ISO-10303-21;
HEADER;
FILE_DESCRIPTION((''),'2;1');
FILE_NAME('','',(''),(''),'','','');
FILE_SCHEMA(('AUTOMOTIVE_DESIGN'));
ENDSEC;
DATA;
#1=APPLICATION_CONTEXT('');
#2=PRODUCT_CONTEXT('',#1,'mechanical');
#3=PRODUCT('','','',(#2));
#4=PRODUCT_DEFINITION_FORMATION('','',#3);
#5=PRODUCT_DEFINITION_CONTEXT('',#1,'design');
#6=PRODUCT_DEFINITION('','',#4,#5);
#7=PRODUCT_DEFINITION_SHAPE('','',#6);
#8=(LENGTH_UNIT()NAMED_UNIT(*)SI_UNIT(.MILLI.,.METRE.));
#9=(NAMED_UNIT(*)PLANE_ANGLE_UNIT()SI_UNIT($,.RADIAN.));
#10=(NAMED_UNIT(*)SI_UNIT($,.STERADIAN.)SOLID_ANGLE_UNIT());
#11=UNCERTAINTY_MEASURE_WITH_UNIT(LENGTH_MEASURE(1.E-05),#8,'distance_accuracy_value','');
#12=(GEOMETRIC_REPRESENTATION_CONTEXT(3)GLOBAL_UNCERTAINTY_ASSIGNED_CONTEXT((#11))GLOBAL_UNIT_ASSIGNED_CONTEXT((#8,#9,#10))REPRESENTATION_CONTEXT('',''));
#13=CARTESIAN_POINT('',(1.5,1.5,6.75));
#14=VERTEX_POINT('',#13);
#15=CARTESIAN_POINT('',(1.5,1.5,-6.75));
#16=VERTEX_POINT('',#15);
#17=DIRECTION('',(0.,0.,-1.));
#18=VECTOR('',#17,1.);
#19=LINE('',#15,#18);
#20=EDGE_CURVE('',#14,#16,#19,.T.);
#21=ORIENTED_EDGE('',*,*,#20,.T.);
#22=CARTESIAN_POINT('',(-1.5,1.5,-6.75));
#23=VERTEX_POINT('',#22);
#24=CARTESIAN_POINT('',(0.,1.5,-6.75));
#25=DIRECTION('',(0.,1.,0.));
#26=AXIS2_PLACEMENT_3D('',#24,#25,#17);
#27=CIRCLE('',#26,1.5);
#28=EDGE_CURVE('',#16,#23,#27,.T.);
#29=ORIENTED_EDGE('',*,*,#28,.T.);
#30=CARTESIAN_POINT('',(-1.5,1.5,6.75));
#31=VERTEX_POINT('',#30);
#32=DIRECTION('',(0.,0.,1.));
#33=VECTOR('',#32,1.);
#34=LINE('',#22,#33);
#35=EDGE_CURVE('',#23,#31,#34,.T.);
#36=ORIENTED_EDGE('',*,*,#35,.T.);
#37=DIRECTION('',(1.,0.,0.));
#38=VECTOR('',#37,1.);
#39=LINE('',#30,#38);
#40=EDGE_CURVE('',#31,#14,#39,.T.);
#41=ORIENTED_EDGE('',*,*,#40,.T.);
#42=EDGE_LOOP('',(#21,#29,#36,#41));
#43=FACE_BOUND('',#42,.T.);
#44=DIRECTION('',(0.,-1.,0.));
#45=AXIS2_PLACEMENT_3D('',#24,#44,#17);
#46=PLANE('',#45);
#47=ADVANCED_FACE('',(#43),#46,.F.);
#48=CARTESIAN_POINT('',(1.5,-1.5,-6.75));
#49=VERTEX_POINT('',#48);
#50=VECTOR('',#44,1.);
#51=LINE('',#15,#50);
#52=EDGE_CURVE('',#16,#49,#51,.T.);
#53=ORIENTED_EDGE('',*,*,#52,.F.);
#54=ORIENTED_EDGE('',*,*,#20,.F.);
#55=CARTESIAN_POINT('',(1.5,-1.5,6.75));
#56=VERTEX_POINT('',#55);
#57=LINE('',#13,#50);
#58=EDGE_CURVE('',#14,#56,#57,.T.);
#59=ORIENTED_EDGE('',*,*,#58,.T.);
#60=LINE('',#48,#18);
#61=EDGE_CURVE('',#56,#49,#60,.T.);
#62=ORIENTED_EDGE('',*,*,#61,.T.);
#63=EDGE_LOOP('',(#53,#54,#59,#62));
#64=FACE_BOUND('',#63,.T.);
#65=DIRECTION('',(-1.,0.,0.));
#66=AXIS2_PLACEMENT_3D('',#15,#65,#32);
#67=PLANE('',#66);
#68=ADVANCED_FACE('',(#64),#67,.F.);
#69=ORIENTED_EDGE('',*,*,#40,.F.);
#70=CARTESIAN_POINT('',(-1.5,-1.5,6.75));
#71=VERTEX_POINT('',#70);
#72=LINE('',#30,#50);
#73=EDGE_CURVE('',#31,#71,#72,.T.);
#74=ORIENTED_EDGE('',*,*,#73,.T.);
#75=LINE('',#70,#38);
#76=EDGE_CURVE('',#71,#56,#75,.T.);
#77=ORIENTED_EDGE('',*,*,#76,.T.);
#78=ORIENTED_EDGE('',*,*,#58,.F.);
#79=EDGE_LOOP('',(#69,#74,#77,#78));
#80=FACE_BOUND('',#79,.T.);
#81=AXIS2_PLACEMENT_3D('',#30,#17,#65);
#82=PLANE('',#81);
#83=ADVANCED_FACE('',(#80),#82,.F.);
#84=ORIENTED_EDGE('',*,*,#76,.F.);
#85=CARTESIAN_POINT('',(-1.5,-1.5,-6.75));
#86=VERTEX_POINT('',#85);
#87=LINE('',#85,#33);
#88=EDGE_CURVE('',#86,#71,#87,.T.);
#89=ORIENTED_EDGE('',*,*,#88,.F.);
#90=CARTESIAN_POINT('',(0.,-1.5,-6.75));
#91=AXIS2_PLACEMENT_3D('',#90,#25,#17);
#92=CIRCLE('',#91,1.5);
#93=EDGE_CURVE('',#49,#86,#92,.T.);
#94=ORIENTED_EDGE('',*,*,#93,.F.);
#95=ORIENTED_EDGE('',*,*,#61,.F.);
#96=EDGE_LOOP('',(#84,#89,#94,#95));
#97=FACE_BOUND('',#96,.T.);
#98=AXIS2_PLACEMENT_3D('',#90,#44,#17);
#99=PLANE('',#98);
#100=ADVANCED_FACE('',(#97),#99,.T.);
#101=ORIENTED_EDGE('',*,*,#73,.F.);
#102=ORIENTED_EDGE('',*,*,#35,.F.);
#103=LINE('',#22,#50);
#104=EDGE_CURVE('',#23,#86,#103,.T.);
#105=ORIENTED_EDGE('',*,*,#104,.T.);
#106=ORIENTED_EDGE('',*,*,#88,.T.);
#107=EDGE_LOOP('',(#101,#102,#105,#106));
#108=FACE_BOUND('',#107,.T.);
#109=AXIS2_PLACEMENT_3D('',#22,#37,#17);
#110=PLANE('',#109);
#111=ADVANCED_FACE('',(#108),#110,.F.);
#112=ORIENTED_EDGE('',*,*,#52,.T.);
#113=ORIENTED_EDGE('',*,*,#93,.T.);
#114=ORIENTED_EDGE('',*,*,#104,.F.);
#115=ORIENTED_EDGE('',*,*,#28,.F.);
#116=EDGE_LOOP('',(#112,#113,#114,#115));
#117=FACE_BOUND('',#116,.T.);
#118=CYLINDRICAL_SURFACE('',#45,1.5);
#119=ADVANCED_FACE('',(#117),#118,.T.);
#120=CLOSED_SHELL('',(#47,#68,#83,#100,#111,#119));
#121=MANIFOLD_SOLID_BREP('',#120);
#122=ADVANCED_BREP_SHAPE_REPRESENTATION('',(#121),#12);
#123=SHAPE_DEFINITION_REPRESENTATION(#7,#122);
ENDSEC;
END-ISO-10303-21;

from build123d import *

# Parameters (mm, degrees)
BOSS_EXTRUDE1_DEPTH = 1.5


with BuildPart() as part:
    # Sketch2 → Boss-Extrude1 (new, symmetric)
    with BuildSketch(Plane(origin=(0, 0, 0), x_dir=(1, 0, 0), z_dir=(0, 1, 0))):
        with BuildLine():
            Line((-1.5, 6.75), (-1.5, -6.75))
            Line((-1.5, -6.75), (1.5, -6.75))
            Line((1.5, -6.75), (1.5, 6.75))
            ThreePointArc((1.5, 6.75), (0, 8.25), (-1.5, 6.75))
        make_face()
    extrude(amount=BOSS_EXTRUDE1_DEPTH, both=True)


solid = part.part
